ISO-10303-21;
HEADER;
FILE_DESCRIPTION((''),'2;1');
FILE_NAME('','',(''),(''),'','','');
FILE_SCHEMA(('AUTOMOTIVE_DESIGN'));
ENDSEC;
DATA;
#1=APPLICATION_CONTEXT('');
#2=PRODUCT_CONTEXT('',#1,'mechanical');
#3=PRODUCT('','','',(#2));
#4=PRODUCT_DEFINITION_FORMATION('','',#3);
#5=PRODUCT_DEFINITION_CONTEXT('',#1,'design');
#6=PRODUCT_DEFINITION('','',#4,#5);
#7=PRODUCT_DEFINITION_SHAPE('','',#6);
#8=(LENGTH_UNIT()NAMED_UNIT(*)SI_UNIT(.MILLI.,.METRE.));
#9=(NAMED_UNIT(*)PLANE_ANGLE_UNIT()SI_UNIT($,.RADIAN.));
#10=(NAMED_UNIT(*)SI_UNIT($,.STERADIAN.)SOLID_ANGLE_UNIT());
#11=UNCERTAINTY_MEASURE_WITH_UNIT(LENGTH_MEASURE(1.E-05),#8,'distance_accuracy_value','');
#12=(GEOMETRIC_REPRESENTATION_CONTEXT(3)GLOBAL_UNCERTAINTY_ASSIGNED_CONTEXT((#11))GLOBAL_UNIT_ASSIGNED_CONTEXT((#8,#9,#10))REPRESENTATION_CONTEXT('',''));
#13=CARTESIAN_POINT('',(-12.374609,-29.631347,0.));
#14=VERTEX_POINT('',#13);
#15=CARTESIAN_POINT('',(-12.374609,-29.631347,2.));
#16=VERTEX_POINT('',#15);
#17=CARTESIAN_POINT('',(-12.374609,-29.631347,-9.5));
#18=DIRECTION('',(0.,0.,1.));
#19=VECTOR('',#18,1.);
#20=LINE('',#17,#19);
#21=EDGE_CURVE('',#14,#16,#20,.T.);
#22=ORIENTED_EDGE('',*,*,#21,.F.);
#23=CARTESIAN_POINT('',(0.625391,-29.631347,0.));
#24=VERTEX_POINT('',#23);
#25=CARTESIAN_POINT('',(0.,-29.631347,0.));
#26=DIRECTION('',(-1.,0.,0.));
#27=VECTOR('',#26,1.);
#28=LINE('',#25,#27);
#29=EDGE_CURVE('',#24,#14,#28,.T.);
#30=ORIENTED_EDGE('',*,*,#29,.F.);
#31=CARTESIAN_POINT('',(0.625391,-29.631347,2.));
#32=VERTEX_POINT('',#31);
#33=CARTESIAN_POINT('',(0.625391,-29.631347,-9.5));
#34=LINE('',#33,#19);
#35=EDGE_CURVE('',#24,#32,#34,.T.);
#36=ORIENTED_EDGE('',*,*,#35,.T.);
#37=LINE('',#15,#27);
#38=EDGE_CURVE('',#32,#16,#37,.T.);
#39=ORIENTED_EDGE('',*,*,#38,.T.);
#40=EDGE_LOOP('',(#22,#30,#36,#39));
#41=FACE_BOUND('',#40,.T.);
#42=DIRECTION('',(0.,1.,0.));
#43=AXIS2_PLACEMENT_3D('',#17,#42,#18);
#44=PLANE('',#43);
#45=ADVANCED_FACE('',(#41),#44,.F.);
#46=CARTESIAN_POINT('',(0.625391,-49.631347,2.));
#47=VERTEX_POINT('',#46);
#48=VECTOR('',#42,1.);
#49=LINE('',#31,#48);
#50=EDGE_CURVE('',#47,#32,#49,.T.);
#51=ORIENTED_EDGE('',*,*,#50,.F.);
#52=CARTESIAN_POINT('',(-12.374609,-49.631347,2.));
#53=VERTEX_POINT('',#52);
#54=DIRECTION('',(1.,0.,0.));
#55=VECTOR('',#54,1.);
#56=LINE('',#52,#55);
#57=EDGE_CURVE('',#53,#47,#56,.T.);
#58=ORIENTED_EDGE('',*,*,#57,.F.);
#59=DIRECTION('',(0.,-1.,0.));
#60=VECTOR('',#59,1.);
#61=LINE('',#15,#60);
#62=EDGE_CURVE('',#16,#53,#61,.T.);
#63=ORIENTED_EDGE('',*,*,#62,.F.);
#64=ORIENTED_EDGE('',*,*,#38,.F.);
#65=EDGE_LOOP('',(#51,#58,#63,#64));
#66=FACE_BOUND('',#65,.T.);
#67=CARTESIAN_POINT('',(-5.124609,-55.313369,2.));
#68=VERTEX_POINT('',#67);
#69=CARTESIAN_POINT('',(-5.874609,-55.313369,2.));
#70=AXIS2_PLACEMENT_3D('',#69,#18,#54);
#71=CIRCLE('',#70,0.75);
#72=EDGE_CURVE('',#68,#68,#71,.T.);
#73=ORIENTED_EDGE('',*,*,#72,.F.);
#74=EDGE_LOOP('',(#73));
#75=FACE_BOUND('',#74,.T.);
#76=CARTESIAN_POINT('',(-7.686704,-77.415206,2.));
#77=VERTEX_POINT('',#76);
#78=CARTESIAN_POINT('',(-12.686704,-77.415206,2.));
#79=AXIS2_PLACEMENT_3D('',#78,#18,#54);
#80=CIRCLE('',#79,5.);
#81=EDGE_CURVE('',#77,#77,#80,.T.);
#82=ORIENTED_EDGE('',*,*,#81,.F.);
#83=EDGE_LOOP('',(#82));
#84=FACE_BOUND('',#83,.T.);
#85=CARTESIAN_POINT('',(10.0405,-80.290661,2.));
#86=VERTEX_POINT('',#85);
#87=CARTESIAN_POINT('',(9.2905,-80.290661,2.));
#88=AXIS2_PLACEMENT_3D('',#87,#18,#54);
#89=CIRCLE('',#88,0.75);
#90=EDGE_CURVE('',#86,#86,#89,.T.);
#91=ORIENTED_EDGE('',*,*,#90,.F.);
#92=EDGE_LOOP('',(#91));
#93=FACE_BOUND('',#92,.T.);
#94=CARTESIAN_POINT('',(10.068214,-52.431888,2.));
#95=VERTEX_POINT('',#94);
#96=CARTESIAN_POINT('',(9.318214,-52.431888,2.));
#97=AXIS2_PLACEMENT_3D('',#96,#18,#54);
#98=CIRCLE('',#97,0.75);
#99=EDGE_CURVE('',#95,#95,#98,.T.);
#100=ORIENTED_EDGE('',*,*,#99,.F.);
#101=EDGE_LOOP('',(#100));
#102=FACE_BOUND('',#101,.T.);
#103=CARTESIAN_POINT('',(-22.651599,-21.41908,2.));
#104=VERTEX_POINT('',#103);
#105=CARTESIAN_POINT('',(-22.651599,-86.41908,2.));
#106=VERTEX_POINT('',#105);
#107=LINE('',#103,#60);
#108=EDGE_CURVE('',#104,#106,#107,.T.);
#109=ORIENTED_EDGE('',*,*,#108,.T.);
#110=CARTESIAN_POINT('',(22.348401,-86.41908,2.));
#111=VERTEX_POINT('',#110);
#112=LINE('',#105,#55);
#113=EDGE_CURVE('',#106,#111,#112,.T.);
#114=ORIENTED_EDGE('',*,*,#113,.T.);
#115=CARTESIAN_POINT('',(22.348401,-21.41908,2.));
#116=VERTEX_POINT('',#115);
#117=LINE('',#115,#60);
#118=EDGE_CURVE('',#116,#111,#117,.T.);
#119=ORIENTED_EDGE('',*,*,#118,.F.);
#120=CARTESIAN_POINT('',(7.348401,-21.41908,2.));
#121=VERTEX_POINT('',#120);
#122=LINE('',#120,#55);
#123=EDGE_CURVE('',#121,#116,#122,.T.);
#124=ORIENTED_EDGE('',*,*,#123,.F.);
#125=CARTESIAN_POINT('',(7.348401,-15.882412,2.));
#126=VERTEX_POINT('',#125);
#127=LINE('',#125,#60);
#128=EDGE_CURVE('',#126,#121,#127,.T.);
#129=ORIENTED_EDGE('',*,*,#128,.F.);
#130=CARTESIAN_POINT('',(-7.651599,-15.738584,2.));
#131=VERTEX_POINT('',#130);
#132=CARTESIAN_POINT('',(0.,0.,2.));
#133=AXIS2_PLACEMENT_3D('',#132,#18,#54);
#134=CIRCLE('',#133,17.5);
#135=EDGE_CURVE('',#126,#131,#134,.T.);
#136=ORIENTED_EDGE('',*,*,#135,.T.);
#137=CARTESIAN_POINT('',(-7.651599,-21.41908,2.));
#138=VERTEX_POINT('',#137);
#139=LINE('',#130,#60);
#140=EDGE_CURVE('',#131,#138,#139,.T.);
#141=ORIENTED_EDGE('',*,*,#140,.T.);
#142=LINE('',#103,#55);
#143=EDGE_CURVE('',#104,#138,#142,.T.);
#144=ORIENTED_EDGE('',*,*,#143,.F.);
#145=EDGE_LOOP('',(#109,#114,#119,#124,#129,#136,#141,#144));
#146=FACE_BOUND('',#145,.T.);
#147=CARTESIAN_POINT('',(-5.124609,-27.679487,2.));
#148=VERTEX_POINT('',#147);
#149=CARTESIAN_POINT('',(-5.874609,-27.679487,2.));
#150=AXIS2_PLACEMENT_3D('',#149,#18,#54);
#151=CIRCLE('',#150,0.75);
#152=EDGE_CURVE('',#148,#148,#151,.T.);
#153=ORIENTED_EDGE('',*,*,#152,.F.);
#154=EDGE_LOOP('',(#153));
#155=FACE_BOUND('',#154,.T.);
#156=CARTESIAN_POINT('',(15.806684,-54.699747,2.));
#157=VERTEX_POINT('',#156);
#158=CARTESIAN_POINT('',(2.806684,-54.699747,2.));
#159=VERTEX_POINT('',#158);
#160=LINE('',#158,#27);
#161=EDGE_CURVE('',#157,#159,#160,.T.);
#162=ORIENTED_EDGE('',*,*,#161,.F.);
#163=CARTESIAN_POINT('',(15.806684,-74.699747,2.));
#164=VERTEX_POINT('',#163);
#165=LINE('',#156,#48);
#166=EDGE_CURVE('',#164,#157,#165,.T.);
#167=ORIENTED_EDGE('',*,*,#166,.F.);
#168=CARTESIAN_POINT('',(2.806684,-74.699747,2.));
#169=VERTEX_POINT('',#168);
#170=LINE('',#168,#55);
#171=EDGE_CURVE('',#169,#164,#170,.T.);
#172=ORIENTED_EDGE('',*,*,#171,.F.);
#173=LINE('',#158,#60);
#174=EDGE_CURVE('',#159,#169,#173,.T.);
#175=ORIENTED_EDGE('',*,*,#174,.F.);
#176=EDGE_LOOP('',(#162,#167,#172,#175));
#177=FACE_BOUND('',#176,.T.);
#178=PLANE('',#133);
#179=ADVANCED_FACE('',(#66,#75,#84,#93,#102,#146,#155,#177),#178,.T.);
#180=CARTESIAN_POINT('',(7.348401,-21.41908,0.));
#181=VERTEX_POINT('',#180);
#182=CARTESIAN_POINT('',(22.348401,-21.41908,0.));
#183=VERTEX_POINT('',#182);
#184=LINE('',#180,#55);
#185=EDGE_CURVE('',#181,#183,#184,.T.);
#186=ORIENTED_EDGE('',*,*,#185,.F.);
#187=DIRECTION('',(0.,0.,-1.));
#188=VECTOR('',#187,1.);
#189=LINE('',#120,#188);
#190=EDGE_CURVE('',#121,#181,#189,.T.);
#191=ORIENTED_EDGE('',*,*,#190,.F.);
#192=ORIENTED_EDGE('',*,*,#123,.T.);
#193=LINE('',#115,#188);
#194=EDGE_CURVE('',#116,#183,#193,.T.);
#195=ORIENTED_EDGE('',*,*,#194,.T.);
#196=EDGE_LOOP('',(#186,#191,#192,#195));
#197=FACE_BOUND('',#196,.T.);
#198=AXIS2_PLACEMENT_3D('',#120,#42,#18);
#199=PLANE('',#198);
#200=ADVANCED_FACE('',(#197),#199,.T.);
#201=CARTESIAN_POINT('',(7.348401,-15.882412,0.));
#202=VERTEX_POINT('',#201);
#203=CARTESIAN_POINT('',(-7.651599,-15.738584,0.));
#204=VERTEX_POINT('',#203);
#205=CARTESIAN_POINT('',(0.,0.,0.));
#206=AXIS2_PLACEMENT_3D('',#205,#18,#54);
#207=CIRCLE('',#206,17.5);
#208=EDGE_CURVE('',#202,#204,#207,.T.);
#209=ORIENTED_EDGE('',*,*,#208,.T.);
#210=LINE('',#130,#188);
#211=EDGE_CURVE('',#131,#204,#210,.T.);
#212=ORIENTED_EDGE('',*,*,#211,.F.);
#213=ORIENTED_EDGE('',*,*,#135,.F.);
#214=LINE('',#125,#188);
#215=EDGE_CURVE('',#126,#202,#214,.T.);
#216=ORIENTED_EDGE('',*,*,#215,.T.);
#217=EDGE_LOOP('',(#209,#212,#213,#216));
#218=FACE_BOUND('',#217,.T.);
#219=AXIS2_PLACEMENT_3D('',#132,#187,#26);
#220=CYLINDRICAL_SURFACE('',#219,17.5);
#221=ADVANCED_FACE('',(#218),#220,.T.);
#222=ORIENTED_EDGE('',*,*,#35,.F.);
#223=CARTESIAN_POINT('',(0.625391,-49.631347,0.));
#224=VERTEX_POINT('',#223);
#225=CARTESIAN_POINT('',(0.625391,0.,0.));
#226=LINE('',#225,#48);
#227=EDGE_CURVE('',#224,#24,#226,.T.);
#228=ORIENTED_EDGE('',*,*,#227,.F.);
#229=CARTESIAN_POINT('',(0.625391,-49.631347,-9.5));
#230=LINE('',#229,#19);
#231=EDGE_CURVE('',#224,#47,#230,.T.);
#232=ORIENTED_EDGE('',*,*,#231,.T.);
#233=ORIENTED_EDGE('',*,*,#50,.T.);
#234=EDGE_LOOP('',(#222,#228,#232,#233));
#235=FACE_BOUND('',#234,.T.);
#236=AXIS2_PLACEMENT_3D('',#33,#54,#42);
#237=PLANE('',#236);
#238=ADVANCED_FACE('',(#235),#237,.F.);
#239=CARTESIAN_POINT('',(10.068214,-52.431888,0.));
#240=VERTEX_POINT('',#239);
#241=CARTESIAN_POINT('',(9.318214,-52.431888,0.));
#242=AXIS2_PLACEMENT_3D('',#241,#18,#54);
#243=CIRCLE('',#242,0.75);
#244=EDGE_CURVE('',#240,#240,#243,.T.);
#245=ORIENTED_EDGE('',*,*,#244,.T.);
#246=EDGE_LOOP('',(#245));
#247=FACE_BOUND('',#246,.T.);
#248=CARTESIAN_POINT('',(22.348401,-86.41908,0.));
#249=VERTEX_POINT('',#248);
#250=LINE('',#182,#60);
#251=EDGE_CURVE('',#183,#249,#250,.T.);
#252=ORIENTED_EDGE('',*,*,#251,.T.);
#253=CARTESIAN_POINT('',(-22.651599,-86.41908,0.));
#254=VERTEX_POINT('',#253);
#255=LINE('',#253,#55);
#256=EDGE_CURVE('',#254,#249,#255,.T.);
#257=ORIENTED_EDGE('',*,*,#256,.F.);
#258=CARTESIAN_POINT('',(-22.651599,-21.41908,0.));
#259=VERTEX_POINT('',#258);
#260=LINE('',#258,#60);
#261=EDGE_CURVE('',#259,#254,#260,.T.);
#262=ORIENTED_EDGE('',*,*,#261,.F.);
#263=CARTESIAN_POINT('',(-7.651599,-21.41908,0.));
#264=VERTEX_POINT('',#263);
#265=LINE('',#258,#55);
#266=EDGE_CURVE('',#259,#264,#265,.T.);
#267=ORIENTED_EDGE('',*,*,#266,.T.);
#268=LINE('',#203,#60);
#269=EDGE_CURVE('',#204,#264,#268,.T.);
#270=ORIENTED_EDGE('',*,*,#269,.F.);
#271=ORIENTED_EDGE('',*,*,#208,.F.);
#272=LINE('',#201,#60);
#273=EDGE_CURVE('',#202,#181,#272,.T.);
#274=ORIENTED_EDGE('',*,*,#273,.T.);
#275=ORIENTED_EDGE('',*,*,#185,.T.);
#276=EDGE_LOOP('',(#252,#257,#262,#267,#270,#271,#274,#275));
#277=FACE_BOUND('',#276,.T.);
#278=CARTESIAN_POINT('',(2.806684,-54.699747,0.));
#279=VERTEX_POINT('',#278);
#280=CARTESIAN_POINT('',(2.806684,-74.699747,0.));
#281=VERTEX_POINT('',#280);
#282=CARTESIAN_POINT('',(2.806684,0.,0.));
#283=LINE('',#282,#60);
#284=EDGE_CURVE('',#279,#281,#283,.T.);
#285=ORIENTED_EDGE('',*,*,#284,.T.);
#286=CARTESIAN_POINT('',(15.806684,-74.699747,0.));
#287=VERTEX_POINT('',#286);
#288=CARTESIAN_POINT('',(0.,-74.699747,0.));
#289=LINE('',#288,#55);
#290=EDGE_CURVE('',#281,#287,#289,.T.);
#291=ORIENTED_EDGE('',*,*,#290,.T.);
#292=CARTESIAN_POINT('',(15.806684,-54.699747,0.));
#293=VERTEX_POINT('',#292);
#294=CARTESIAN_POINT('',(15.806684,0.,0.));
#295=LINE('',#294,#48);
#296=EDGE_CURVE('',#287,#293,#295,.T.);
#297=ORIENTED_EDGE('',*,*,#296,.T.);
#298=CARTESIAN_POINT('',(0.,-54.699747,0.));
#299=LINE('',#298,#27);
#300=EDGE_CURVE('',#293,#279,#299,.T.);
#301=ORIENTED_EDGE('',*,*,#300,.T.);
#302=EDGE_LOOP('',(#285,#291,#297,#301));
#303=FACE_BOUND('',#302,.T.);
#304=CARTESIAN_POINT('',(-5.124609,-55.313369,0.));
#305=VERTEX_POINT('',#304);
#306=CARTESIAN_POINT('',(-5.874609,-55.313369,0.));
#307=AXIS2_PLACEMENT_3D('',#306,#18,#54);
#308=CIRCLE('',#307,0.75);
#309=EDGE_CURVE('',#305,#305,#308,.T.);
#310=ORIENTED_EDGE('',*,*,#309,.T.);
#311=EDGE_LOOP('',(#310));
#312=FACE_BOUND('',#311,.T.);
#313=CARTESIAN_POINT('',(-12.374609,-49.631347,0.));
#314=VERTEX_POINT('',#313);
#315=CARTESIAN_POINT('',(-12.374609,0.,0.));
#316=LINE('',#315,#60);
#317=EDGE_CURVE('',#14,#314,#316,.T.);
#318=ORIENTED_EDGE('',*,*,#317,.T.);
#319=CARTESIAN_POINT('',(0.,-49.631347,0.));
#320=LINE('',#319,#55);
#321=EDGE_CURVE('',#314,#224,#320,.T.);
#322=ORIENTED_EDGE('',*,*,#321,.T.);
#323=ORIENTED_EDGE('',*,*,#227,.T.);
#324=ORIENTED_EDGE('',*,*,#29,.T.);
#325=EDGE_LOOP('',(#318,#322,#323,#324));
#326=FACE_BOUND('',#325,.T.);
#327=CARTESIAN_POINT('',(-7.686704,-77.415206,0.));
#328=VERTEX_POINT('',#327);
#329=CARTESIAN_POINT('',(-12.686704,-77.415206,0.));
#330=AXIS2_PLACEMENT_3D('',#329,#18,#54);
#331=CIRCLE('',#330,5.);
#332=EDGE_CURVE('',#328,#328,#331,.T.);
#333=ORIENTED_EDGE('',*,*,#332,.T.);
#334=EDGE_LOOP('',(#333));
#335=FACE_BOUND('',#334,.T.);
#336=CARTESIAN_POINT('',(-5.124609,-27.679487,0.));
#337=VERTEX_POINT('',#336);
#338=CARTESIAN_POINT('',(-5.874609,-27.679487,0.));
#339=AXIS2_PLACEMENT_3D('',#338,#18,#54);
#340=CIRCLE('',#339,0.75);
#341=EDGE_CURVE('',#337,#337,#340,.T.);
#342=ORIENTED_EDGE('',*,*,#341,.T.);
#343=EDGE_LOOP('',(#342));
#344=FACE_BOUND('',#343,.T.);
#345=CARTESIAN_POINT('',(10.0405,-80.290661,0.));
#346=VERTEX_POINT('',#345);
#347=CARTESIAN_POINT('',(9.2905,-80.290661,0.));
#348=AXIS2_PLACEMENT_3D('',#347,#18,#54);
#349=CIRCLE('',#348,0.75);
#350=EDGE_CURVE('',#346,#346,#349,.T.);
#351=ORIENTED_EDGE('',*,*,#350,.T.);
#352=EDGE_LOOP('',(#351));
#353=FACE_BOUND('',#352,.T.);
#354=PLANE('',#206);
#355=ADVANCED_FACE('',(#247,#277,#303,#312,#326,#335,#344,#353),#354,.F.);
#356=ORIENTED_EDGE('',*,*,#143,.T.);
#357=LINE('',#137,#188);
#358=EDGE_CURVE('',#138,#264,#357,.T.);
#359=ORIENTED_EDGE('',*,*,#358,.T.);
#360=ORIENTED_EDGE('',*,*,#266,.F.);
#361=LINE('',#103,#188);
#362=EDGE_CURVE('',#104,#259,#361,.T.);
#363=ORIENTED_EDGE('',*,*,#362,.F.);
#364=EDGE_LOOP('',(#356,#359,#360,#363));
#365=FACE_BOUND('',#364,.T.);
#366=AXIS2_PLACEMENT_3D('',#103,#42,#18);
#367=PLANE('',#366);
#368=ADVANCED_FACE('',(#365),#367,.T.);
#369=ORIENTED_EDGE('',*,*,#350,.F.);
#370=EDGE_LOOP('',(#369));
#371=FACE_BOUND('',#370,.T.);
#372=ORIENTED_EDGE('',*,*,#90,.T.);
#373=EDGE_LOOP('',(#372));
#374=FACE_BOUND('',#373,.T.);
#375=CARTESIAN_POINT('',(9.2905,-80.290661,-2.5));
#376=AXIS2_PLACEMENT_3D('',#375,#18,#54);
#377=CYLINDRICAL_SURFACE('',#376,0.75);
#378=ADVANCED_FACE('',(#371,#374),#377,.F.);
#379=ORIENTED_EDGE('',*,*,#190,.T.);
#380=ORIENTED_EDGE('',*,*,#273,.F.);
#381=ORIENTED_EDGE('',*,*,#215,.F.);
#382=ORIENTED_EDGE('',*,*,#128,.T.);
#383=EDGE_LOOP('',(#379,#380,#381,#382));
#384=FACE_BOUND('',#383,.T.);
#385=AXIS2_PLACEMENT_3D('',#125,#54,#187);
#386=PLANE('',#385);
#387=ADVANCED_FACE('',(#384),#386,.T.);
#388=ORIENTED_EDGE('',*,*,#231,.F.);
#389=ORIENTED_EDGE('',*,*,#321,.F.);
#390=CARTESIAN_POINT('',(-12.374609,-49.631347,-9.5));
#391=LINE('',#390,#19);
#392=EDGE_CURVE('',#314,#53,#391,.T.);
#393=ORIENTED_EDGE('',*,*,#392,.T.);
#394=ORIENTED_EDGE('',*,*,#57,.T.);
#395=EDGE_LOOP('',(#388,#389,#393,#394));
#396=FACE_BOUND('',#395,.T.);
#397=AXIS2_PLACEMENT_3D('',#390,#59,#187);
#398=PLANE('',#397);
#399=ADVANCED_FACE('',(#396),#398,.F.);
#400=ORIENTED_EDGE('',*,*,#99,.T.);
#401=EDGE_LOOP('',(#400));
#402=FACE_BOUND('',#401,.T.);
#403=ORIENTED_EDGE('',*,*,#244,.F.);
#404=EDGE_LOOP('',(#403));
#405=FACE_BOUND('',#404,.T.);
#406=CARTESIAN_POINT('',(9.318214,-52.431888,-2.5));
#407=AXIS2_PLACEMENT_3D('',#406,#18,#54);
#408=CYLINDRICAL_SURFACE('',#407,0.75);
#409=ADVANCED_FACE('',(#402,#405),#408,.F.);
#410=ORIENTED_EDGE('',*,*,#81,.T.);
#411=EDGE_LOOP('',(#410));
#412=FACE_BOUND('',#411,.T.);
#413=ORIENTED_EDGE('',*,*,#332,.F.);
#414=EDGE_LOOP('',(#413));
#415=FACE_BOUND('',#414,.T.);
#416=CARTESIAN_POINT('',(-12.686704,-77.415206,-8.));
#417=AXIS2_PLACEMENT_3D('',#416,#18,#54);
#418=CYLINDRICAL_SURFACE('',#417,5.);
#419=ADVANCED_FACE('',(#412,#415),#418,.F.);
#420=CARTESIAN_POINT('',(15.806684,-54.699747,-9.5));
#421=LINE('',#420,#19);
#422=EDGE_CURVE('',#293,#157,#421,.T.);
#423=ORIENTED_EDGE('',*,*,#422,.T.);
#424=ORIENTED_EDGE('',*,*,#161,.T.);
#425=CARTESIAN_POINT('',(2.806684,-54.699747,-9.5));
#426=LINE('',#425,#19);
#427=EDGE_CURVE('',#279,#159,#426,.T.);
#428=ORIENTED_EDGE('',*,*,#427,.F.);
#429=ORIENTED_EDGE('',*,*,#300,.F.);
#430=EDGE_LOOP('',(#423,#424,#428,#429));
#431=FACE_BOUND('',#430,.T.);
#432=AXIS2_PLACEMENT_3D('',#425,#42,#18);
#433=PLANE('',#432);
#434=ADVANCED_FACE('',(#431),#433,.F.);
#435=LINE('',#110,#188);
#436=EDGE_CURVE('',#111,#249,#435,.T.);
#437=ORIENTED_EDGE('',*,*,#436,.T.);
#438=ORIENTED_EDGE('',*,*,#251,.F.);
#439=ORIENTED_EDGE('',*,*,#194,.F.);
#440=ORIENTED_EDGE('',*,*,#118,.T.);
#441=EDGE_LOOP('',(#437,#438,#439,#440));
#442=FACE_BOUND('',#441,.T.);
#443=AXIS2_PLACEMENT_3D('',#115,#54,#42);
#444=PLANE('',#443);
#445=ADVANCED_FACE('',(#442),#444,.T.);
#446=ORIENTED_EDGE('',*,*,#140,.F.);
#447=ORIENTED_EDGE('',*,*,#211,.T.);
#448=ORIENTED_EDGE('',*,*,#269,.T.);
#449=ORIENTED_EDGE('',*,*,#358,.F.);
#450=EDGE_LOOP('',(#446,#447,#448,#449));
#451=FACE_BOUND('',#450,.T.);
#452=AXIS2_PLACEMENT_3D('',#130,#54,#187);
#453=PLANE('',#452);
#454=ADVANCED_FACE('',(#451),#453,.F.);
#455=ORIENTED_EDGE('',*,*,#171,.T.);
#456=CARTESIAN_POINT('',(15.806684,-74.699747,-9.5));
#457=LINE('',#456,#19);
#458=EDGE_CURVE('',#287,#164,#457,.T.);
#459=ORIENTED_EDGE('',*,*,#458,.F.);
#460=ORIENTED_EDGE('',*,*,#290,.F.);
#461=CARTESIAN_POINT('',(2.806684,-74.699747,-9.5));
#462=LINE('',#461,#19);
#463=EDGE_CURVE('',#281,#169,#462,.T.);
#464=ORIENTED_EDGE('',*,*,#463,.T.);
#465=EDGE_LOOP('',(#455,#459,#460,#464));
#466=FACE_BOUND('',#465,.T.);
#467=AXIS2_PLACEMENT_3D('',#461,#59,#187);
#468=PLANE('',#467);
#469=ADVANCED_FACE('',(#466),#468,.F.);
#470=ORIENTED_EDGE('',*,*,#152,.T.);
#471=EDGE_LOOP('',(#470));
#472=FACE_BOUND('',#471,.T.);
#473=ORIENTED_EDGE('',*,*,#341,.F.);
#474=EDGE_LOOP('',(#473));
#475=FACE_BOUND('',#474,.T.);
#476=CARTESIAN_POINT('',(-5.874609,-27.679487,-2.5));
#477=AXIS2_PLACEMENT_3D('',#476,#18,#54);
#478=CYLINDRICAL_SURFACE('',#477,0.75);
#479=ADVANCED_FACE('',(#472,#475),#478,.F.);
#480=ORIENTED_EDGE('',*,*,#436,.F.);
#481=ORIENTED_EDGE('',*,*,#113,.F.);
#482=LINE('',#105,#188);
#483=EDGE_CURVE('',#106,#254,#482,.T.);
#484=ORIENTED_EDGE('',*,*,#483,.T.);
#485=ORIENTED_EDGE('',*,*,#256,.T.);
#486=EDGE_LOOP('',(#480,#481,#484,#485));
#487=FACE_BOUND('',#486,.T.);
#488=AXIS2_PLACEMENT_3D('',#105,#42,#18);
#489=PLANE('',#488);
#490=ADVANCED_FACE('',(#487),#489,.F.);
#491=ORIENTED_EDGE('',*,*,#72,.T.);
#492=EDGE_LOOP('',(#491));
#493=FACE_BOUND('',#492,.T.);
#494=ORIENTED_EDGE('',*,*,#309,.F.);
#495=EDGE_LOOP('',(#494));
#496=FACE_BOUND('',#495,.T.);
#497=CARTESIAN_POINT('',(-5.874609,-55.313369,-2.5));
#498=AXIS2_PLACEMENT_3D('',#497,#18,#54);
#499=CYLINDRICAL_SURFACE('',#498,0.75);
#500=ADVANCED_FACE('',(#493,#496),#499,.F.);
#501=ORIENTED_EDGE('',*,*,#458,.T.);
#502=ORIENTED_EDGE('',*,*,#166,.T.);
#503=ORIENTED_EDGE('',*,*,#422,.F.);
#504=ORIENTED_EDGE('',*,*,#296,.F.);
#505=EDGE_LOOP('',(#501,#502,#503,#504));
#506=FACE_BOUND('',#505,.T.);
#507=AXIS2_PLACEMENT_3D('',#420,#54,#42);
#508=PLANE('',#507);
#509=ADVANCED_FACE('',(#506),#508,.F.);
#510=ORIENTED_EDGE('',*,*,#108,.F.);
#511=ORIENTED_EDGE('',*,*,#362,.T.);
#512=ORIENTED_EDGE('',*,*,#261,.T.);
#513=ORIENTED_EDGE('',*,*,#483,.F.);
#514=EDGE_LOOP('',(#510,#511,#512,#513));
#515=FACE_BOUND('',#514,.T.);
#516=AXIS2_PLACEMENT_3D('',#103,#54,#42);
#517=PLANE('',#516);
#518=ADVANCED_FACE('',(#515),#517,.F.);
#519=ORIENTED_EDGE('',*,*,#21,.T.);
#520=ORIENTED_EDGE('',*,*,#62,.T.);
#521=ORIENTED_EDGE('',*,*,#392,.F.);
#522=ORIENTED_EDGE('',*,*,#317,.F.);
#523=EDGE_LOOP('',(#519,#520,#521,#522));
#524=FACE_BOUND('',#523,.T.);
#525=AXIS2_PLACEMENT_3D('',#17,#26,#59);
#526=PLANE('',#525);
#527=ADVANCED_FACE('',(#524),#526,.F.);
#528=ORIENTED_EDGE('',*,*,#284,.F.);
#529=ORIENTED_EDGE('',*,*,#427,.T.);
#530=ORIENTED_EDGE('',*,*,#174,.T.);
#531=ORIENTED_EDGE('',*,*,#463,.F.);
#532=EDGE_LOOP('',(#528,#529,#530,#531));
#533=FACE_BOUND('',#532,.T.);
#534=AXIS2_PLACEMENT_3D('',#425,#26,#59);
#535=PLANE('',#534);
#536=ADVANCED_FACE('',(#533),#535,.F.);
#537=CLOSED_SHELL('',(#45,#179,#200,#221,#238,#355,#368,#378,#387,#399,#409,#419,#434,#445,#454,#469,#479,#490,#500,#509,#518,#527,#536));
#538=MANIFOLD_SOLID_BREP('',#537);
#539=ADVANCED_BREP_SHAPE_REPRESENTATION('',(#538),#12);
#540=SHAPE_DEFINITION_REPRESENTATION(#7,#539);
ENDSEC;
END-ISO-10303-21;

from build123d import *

# Parameters (mm, degrees)
BOSS_EXTRUDE1_DEPTH = 2
SKETCH3_W           = 13
SKETCH3_H           = 20
CUT_EXTRUDE1_DEPTH  = 11.5
SKETCH4_R           = 0.75
CUT_EXTRUDE2_DEPTH  = 4.5
SKETCH5_R           = 5
CUT_EXTRUDE3_DEPTH  = 10


with BuildPart() as part:
    # Sketch2 → Boss-Extrude1 (new body)
    with BuildSketch(Plane.XY):
        with BuildLine():
            Line((-7.651598568, -15.738584414), (-7.651598568, -21.41907999))
            Line((-7.651598568, -21.41907999), (-22.651598568, -21.41907999))
            Line((-22.651598568, -21.41907999), (-22.651598568, -86.41907999))
            Line((-22.651598568, -86.41907999), (22.348401432, -86.41907999))
            Line((22.348401432, -86.41907999), (22.348401432, -21.41907999))
            Line((22.348401432, -21.41907999), (7.348401432, -21.41907999))
            Line((7.348401432, -21.41907999), (7.348401432, -15.882411542))
            ThreePointArc((7.348401432, -15.882411542), (0.167790603, 17.49919559), (-7.651598568, -15.738584414))
        make_face()
    extrude(amount=BOSS_EXTRUDE1_DEPTH)

    # Sketch3 → Cut-Extrude1 (cut)
    with BuildSketch(Plane.XY.offset(2)):
        with Locations((9.306683573, -64.699747406)):
            Rectangle(SKETCH3_W, SKETCH3_H)
        with Locations((-5.874609334, -39.631347468)):
            Rectangle(SKETCH3_W, SKETCH3_H)
    extrude(amount=-CUT_EXTRUDE1_DEPTH, mode=Mode.SUBTRACT)

    # Sketch4 → Cut-Extrude2 (cut)
    with BuildSketch(Plane.XY.offset(2)):
        with Locations((-5.874609334, -27.679486822)):
            Circle(SKETCH4_R)
        with Locations((-5.874609334, -55.313369489)):
            Circle(SKETCH4_R)
        with Locations((9.318214062, -52.431887672)):
            Circle(SKETCH4_R)
        with Locations((9.290500092, -80.290661027)):
            Circle(SKETCH4_R)
    extrude(amount=-CUT_EXTRUDE2_DEPTH, mode=Mode.SUBTRACT)

    # Sketch5 → Cut-Extrude3 (cut)
    with BuildSketch(Plane.XY.offset(2)):
        with Locations((-12.686703833, -77.415205598)):
            Circle(SKETCH5_R)
    extrude(amount=-CUT_EXTRUDE3_DEPTH, mode=Mode.SUBTRACT)


solid = part.part
